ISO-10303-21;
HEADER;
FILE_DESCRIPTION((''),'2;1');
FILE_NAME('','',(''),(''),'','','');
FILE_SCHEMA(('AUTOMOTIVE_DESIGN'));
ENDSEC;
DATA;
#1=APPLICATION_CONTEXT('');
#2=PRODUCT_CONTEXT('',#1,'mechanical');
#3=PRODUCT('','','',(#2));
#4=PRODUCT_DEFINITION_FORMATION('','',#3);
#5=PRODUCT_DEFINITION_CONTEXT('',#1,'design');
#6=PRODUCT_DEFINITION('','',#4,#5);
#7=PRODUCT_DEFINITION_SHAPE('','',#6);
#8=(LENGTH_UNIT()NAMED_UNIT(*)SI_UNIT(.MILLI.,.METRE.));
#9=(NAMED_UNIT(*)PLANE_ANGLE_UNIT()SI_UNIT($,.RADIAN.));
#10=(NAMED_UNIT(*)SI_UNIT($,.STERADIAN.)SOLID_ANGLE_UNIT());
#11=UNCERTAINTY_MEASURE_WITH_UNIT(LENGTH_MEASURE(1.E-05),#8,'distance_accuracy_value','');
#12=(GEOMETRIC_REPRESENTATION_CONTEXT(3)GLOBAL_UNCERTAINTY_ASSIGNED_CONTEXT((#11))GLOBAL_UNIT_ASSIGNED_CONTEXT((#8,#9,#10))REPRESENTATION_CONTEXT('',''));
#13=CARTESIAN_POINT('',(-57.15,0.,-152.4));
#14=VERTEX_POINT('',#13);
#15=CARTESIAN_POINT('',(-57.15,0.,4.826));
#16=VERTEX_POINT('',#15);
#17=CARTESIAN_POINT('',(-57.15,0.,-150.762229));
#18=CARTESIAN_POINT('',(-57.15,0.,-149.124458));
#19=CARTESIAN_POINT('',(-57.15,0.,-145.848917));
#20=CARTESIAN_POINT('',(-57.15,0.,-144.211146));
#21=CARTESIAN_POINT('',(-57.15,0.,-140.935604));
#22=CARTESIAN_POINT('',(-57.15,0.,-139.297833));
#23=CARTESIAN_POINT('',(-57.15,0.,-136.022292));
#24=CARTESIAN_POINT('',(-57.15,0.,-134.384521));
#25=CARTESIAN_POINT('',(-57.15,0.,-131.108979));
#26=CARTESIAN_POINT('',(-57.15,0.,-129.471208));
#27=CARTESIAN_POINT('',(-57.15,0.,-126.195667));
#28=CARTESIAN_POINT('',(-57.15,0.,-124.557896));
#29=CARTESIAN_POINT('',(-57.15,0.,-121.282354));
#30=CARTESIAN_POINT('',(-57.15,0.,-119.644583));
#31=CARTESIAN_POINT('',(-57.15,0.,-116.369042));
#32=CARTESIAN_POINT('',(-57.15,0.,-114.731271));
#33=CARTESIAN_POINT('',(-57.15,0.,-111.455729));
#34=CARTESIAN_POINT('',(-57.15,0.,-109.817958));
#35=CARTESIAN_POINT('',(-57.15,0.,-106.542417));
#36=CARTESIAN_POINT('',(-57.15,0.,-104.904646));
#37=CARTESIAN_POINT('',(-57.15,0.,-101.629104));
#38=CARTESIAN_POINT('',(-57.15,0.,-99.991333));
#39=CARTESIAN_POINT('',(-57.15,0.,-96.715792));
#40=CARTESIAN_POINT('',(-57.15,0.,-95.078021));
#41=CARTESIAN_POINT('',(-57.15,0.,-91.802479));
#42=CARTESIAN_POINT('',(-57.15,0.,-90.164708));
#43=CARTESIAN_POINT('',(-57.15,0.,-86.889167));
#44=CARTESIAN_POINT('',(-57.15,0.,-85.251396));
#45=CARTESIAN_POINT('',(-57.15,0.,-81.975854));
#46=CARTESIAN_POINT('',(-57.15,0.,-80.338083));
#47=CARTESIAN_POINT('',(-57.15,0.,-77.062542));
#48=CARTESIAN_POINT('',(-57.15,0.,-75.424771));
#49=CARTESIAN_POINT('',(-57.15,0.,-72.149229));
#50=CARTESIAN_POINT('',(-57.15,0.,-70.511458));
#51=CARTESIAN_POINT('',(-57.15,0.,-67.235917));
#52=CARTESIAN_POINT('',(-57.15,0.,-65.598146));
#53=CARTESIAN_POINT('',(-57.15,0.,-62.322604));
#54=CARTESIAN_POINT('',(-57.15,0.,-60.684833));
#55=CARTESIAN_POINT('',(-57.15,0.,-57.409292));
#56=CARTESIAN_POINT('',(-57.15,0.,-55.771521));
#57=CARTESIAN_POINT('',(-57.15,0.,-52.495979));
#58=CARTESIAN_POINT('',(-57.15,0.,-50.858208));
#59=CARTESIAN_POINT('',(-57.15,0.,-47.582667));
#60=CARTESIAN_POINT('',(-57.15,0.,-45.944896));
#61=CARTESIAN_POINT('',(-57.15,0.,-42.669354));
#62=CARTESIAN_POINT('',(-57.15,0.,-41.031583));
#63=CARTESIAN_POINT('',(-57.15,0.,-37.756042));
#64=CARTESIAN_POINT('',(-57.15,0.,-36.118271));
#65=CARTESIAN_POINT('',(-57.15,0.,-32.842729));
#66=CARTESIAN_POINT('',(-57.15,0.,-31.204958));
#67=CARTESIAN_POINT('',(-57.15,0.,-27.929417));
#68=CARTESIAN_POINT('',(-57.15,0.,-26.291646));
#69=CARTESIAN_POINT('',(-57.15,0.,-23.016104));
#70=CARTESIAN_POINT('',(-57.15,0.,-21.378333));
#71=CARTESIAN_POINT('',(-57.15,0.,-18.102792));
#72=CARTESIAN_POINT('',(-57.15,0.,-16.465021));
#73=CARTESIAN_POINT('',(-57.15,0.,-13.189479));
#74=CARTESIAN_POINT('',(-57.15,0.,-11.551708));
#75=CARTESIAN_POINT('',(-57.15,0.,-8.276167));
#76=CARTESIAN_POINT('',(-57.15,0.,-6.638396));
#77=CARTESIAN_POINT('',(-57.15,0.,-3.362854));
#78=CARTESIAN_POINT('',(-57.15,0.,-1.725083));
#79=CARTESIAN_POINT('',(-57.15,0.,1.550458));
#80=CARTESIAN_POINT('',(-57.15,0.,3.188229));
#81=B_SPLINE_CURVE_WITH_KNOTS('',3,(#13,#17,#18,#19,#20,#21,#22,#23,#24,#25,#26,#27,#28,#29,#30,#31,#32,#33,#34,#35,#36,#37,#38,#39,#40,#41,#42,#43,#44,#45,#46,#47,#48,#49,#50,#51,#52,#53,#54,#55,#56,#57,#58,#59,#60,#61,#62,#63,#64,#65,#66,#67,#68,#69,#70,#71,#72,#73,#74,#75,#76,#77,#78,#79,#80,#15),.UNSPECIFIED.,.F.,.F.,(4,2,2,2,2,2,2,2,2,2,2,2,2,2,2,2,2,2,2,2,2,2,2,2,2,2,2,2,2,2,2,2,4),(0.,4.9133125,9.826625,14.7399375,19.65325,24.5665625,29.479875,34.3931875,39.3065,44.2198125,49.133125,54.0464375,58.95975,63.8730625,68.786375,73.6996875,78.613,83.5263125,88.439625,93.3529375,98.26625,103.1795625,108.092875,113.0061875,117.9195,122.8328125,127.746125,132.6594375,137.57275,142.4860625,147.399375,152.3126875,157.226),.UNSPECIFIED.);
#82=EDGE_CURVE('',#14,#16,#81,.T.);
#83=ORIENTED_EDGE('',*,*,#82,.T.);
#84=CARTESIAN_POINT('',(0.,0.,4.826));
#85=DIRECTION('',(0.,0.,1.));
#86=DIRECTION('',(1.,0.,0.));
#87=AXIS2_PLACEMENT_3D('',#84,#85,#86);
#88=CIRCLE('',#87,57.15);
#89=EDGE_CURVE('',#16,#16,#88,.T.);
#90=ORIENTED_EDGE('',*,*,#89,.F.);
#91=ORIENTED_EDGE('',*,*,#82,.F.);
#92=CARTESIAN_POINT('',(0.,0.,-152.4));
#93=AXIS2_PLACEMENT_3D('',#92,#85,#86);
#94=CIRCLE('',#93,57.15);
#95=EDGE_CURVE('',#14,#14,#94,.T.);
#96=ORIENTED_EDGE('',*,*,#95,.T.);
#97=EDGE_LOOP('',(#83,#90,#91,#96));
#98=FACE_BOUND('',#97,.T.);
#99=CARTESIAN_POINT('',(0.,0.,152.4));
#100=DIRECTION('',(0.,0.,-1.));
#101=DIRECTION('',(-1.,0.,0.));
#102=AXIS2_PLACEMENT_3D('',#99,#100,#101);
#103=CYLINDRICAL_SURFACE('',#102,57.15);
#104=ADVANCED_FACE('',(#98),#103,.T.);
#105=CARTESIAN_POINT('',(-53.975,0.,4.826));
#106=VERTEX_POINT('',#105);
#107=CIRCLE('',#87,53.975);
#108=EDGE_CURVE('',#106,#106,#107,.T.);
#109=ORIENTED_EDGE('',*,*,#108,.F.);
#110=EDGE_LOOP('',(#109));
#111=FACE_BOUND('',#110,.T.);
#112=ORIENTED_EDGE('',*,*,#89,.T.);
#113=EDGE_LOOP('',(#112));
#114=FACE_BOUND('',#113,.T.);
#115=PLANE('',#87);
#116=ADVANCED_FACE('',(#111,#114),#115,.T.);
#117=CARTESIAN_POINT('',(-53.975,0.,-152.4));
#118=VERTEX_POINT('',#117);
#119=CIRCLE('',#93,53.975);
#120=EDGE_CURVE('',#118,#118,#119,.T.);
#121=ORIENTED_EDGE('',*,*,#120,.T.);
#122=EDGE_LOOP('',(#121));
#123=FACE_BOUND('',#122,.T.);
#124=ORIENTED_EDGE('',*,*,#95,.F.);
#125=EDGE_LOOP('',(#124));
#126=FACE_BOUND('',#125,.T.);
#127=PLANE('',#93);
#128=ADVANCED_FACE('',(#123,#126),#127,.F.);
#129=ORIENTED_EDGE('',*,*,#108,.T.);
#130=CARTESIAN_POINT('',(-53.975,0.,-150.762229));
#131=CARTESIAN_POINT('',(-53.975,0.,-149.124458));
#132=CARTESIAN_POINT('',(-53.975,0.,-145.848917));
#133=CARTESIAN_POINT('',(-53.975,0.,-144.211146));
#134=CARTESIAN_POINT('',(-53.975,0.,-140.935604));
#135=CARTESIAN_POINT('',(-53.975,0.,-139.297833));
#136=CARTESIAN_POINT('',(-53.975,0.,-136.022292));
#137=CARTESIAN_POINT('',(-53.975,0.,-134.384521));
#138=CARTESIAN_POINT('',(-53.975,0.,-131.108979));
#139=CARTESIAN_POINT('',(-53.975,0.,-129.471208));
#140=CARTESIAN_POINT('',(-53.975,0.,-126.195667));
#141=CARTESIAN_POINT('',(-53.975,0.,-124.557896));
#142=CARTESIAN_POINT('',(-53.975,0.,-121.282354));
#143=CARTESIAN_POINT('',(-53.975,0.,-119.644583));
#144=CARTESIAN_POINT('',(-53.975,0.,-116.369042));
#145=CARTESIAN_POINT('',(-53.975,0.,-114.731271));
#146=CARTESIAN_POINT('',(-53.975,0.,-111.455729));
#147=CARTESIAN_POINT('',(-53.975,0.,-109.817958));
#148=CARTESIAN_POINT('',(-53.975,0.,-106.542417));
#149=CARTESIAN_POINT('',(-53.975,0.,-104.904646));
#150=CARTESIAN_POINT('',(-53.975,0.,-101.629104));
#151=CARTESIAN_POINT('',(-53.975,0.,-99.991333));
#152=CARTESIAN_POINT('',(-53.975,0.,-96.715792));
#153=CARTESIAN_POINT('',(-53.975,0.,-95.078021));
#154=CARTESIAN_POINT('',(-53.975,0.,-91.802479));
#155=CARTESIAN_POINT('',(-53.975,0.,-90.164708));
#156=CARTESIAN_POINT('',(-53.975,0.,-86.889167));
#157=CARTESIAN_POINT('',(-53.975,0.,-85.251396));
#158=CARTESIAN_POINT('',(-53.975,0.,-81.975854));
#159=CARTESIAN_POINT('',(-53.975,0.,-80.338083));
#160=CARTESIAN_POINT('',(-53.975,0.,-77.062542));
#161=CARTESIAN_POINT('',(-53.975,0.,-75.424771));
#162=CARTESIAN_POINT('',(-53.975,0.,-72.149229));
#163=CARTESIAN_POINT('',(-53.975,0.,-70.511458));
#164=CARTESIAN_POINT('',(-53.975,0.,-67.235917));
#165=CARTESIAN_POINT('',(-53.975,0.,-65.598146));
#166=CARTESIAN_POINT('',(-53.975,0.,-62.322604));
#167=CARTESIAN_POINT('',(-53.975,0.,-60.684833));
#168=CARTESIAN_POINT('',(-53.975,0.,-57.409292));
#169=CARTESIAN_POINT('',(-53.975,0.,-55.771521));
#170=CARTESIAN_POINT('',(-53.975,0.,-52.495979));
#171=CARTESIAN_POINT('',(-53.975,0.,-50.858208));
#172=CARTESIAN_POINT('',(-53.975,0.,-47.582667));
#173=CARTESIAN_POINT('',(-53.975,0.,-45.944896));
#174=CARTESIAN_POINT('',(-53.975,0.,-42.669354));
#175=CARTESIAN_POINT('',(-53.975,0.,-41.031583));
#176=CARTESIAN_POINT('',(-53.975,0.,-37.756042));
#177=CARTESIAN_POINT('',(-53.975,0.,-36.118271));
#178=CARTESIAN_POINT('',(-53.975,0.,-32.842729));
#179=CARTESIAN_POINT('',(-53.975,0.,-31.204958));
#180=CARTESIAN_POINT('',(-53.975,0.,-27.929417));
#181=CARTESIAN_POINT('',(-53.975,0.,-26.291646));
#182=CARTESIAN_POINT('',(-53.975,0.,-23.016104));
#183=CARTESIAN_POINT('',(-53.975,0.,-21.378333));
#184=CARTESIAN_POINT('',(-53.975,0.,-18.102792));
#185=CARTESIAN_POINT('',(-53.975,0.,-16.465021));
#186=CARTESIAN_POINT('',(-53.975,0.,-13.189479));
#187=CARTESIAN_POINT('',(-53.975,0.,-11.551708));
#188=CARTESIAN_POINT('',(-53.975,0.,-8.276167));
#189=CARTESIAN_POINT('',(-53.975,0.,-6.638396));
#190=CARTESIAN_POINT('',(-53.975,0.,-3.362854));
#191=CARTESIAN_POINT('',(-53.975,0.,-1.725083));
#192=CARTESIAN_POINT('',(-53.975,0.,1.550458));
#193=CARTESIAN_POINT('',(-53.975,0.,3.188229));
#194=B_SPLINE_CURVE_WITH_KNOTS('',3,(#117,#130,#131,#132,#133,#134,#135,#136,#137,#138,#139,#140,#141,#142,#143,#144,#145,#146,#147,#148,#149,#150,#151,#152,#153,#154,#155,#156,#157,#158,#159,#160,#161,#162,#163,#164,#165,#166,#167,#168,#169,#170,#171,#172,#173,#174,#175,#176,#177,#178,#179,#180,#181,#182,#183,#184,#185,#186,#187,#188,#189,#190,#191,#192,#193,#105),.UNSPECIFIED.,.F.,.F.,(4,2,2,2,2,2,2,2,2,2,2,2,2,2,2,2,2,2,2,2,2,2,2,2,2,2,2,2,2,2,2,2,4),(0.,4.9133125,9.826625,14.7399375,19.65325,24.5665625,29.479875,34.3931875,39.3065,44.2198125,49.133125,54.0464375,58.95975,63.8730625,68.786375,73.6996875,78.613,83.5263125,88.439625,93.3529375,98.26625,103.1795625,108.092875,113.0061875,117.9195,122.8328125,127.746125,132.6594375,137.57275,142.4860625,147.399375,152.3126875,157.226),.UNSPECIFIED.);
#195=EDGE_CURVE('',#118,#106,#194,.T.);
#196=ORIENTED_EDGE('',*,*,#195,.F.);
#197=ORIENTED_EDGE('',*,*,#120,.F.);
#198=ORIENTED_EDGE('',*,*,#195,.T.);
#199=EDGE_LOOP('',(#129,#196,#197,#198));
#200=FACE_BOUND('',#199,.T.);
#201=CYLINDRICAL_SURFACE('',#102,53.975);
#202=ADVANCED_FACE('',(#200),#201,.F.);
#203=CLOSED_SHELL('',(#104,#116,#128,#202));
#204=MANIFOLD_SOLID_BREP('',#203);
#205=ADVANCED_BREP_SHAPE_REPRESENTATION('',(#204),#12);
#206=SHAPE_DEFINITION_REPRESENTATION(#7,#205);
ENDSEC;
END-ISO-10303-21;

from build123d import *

# Parameters (mm, degrees)
BOSS_EXTRUDE1_DEPTH      = 152.4
BOSS_EXTRUDE1_DEPTH_BACK = 152.4
SKETCH3_R                = 57.15
SKETCH3_R_2              = 53.975
SKETCH5_R                = 72.477343224
CUT_EXTRUDE1_DEPTH       = 147.574


with BuildPart() as part:
    # Sketch3 → Boss-Extrude1 (new, two sides: drawn at the far end of the back side and taken through both)
    with BuildSketch(Plane.XY.offset(-BOSS_EXTRUDE1_DEPTH_BACK)):
        with Locations(Location((0, 0, 0), (0, 0, 180))):
            Circle(SKETCH3_R)
        with Locations(Location((0, 0, 0), (0, 0, 180))):
            Circle(SKETCH3_R_2, mode=Mode.SUBTRACT)
    extrude(amount=BOSS_EXTRUDE1_DEPTH + BOSS_EXTRUDE1_DEPTH_BACK)

    # Sketch5 → Cut-Extrude1 (cut)
    with BuildSketch(Plane.XY.offset(152.4)):
        Circle(SKETCH5_R)
    extrude(amount=-CUT_EXTRUDE1_DEPTH, mode=Mode.SUBTRACT)


solid = part.part
